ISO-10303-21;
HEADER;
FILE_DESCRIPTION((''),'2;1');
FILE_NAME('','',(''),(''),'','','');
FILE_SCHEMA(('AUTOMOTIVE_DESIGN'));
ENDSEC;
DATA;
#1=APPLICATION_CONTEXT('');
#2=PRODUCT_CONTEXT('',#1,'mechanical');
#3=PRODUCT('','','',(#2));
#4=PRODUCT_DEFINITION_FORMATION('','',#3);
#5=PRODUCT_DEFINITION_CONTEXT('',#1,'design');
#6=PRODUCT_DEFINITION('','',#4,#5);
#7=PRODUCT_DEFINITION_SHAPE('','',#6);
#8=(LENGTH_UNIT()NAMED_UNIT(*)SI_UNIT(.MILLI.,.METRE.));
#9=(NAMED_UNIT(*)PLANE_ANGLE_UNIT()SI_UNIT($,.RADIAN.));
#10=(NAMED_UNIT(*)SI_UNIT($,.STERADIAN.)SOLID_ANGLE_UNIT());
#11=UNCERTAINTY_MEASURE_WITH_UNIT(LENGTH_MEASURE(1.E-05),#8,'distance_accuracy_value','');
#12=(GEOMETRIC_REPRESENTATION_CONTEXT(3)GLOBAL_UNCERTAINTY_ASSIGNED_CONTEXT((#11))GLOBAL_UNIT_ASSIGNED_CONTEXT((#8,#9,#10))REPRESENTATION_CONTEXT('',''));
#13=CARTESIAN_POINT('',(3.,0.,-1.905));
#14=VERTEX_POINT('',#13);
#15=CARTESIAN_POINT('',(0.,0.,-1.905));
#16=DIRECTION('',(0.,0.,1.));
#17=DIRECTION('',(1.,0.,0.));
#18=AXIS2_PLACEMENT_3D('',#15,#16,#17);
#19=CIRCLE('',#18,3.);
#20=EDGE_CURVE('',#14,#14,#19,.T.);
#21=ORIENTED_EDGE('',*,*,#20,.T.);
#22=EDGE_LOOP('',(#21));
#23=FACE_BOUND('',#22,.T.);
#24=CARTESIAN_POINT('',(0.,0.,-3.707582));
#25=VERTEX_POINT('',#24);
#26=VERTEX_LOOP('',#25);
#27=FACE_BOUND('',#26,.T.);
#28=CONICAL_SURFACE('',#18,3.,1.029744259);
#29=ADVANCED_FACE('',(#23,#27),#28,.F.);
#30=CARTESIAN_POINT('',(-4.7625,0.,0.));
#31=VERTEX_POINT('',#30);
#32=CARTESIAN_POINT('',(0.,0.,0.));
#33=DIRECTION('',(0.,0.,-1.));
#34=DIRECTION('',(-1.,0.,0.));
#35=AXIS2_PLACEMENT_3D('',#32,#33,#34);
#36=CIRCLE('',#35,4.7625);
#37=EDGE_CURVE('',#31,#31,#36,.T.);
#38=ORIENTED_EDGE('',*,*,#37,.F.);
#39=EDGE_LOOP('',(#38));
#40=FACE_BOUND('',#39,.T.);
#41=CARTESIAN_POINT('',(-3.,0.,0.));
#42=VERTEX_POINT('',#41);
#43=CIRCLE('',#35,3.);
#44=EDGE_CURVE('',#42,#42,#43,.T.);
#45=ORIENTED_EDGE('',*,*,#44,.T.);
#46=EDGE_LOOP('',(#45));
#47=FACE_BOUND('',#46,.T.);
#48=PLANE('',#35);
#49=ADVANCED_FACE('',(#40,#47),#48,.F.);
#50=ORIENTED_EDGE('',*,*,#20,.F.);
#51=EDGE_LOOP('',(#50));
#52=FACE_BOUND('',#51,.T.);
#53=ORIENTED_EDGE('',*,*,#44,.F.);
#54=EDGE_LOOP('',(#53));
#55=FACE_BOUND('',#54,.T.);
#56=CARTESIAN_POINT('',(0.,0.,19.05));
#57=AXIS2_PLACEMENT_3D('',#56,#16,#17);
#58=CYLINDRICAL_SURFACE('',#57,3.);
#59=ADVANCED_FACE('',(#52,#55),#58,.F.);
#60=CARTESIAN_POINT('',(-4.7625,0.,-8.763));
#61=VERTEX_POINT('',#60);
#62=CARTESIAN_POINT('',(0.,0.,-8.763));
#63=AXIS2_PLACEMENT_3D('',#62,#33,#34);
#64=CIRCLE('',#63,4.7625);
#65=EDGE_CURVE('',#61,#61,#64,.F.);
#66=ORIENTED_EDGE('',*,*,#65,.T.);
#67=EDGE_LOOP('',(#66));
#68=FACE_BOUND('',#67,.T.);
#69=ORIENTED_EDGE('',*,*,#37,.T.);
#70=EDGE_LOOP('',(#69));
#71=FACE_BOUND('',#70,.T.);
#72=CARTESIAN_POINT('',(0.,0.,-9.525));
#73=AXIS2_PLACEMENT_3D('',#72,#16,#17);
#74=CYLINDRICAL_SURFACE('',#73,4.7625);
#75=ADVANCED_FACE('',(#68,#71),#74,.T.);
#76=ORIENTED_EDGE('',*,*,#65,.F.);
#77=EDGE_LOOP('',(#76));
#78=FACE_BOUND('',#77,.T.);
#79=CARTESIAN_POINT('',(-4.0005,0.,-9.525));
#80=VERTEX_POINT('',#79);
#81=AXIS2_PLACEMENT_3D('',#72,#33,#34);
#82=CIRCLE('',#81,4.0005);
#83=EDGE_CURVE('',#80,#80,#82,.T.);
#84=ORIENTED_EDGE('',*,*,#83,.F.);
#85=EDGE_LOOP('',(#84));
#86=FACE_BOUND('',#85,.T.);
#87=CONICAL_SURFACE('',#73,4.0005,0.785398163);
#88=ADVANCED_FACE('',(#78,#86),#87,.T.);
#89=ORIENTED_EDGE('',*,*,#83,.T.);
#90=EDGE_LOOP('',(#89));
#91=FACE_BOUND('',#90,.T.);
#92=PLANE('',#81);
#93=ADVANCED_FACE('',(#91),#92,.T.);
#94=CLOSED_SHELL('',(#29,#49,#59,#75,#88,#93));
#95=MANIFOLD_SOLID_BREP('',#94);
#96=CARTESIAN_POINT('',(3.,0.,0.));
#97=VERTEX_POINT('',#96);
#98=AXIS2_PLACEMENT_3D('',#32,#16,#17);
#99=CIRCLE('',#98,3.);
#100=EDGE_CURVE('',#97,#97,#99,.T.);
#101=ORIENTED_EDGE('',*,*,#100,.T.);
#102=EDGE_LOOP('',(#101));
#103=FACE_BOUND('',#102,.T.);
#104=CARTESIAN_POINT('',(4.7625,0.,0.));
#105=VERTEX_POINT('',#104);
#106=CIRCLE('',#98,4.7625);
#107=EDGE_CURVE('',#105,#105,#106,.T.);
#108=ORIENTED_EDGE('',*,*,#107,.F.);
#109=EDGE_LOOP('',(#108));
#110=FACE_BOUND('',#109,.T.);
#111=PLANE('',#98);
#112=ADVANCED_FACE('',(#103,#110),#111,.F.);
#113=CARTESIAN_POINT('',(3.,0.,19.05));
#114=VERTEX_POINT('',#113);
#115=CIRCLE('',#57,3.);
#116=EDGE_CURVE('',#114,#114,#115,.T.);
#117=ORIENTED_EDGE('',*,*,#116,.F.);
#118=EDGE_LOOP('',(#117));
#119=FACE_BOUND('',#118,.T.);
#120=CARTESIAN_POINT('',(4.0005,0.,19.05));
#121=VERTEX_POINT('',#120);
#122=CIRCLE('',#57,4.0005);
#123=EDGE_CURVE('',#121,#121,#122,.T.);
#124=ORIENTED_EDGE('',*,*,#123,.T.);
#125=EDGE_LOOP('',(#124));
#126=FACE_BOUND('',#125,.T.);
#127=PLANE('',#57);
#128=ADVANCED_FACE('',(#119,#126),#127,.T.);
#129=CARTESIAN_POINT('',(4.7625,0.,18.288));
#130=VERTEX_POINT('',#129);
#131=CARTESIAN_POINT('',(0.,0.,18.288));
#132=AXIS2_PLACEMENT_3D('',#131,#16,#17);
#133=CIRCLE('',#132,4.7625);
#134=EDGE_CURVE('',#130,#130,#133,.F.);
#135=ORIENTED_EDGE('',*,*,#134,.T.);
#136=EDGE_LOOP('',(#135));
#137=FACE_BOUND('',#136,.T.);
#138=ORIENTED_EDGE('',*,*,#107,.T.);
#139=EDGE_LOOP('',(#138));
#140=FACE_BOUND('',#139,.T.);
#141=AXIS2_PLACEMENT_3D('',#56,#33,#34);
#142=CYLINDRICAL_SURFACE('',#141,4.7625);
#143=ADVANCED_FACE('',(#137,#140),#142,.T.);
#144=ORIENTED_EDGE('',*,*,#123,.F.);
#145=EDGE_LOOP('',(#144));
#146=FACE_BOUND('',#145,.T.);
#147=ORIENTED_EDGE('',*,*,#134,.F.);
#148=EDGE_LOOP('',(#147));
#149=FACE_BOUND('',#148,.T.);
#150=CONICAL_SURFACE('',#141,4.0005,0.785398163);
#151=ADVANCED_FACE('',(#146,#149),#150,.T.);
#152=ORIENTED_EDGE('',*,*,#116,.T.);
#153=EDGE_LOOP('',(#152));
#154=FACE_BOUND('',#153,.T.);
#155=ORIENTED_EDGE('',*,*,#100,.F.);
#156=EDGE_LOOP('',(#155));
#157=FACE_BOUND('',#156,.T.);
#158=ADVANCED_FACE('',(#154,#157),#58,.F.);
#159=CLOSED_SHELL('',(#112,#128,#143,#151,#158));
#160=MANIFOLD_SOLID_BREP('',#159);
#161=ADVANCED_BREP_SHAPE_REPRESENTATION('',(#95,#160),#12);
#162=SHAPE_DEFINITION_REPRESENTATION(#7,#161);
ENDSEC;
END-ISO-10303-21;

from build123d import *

# Parameters (mm, degrees)
SKETCH1_R               = 4.7625
SIDE_WITH_HOLE_DEPTH    = 19.05
SKETCH2_R               = 4.7625
SIDE_WITHOUT_HOLE_DEPTH = 9.525
CHAMFER1_SIZE           = 0.762
CHAMFER2_SIZE           = 0.762


with BuildPart() as part:
    # Sketch1 → Side With Hole (new body)
    with BuildSketch(Plane.XY):
        Circle(SKETCH1_R)
    extrude(amount=SIDE_WITH_HOLE_DEPTH)


with BuildPart() as body_2:
    # Sketch2 → Side Without Hole (new body)
    with BuildSketch(Plane(origin=(0, 0, 0), x_dir=(-1, 0, 0), z_dir=(0, 0, -1))):
        Circle(SKETCH2_R)
    extrude(amount=SIDE_WITHOUT_HOLE_DEPTH)


with BuildPart() as f_6_0_6_diameter_hole1_tool:
    # Sketch4 → Ø6.0 (6) Diameter Hole1 (revolve)
    with BuildSketch(Plane(origin=(0, 0, 19.05), x_dir=(0, -1, 0), z_dir=(1, 0, 0))):
        Polygon((0, 0), (0, 22.757581857), (3, 20.955), (3, 0), align=None)
    revolve(axis=Axis((0, 0, 25.4), (0, 0, -1)))


with BuildPart() as part_1:
    add(part.part)

    # Ø6.0 (6) Diameter Hole1: cut by f_6_0_6_diameter_hole1_tool
    add(f_6_0_6_diameter_hole1_tool.part, mode=Mode.SUBTRACT)

    # Chamfer2
    chamfer2_edges = [part_1.edges().sort_by_distance(p)[0] for p in [
        (-4.7625, 0, 19.05),
    ]]
    chamfer(chamfer2_edges, length=CHAMFER2_SIZE)


with BuildPart() as body_2_1:
    add(body_2.part)

    # Ø6.0 (6) Diameter Hole1: cut by f_6_0_6_diameter_hole1_tool
    add(f_6_0_6_diameter_hole1_tool.part, mode=Mode.SUBTRACT)

    # Chamfer1
    chamfer1_edges = [body_2_1.edges().sort_by_distance(p)[0] for p in [
        (4.7625, 0, -9.525),
    ]]
    chamfer(chamfer1_edges, length=CHAMFER1_SIZE)


solid = Compound([part_1.part, body_2_1.part])
